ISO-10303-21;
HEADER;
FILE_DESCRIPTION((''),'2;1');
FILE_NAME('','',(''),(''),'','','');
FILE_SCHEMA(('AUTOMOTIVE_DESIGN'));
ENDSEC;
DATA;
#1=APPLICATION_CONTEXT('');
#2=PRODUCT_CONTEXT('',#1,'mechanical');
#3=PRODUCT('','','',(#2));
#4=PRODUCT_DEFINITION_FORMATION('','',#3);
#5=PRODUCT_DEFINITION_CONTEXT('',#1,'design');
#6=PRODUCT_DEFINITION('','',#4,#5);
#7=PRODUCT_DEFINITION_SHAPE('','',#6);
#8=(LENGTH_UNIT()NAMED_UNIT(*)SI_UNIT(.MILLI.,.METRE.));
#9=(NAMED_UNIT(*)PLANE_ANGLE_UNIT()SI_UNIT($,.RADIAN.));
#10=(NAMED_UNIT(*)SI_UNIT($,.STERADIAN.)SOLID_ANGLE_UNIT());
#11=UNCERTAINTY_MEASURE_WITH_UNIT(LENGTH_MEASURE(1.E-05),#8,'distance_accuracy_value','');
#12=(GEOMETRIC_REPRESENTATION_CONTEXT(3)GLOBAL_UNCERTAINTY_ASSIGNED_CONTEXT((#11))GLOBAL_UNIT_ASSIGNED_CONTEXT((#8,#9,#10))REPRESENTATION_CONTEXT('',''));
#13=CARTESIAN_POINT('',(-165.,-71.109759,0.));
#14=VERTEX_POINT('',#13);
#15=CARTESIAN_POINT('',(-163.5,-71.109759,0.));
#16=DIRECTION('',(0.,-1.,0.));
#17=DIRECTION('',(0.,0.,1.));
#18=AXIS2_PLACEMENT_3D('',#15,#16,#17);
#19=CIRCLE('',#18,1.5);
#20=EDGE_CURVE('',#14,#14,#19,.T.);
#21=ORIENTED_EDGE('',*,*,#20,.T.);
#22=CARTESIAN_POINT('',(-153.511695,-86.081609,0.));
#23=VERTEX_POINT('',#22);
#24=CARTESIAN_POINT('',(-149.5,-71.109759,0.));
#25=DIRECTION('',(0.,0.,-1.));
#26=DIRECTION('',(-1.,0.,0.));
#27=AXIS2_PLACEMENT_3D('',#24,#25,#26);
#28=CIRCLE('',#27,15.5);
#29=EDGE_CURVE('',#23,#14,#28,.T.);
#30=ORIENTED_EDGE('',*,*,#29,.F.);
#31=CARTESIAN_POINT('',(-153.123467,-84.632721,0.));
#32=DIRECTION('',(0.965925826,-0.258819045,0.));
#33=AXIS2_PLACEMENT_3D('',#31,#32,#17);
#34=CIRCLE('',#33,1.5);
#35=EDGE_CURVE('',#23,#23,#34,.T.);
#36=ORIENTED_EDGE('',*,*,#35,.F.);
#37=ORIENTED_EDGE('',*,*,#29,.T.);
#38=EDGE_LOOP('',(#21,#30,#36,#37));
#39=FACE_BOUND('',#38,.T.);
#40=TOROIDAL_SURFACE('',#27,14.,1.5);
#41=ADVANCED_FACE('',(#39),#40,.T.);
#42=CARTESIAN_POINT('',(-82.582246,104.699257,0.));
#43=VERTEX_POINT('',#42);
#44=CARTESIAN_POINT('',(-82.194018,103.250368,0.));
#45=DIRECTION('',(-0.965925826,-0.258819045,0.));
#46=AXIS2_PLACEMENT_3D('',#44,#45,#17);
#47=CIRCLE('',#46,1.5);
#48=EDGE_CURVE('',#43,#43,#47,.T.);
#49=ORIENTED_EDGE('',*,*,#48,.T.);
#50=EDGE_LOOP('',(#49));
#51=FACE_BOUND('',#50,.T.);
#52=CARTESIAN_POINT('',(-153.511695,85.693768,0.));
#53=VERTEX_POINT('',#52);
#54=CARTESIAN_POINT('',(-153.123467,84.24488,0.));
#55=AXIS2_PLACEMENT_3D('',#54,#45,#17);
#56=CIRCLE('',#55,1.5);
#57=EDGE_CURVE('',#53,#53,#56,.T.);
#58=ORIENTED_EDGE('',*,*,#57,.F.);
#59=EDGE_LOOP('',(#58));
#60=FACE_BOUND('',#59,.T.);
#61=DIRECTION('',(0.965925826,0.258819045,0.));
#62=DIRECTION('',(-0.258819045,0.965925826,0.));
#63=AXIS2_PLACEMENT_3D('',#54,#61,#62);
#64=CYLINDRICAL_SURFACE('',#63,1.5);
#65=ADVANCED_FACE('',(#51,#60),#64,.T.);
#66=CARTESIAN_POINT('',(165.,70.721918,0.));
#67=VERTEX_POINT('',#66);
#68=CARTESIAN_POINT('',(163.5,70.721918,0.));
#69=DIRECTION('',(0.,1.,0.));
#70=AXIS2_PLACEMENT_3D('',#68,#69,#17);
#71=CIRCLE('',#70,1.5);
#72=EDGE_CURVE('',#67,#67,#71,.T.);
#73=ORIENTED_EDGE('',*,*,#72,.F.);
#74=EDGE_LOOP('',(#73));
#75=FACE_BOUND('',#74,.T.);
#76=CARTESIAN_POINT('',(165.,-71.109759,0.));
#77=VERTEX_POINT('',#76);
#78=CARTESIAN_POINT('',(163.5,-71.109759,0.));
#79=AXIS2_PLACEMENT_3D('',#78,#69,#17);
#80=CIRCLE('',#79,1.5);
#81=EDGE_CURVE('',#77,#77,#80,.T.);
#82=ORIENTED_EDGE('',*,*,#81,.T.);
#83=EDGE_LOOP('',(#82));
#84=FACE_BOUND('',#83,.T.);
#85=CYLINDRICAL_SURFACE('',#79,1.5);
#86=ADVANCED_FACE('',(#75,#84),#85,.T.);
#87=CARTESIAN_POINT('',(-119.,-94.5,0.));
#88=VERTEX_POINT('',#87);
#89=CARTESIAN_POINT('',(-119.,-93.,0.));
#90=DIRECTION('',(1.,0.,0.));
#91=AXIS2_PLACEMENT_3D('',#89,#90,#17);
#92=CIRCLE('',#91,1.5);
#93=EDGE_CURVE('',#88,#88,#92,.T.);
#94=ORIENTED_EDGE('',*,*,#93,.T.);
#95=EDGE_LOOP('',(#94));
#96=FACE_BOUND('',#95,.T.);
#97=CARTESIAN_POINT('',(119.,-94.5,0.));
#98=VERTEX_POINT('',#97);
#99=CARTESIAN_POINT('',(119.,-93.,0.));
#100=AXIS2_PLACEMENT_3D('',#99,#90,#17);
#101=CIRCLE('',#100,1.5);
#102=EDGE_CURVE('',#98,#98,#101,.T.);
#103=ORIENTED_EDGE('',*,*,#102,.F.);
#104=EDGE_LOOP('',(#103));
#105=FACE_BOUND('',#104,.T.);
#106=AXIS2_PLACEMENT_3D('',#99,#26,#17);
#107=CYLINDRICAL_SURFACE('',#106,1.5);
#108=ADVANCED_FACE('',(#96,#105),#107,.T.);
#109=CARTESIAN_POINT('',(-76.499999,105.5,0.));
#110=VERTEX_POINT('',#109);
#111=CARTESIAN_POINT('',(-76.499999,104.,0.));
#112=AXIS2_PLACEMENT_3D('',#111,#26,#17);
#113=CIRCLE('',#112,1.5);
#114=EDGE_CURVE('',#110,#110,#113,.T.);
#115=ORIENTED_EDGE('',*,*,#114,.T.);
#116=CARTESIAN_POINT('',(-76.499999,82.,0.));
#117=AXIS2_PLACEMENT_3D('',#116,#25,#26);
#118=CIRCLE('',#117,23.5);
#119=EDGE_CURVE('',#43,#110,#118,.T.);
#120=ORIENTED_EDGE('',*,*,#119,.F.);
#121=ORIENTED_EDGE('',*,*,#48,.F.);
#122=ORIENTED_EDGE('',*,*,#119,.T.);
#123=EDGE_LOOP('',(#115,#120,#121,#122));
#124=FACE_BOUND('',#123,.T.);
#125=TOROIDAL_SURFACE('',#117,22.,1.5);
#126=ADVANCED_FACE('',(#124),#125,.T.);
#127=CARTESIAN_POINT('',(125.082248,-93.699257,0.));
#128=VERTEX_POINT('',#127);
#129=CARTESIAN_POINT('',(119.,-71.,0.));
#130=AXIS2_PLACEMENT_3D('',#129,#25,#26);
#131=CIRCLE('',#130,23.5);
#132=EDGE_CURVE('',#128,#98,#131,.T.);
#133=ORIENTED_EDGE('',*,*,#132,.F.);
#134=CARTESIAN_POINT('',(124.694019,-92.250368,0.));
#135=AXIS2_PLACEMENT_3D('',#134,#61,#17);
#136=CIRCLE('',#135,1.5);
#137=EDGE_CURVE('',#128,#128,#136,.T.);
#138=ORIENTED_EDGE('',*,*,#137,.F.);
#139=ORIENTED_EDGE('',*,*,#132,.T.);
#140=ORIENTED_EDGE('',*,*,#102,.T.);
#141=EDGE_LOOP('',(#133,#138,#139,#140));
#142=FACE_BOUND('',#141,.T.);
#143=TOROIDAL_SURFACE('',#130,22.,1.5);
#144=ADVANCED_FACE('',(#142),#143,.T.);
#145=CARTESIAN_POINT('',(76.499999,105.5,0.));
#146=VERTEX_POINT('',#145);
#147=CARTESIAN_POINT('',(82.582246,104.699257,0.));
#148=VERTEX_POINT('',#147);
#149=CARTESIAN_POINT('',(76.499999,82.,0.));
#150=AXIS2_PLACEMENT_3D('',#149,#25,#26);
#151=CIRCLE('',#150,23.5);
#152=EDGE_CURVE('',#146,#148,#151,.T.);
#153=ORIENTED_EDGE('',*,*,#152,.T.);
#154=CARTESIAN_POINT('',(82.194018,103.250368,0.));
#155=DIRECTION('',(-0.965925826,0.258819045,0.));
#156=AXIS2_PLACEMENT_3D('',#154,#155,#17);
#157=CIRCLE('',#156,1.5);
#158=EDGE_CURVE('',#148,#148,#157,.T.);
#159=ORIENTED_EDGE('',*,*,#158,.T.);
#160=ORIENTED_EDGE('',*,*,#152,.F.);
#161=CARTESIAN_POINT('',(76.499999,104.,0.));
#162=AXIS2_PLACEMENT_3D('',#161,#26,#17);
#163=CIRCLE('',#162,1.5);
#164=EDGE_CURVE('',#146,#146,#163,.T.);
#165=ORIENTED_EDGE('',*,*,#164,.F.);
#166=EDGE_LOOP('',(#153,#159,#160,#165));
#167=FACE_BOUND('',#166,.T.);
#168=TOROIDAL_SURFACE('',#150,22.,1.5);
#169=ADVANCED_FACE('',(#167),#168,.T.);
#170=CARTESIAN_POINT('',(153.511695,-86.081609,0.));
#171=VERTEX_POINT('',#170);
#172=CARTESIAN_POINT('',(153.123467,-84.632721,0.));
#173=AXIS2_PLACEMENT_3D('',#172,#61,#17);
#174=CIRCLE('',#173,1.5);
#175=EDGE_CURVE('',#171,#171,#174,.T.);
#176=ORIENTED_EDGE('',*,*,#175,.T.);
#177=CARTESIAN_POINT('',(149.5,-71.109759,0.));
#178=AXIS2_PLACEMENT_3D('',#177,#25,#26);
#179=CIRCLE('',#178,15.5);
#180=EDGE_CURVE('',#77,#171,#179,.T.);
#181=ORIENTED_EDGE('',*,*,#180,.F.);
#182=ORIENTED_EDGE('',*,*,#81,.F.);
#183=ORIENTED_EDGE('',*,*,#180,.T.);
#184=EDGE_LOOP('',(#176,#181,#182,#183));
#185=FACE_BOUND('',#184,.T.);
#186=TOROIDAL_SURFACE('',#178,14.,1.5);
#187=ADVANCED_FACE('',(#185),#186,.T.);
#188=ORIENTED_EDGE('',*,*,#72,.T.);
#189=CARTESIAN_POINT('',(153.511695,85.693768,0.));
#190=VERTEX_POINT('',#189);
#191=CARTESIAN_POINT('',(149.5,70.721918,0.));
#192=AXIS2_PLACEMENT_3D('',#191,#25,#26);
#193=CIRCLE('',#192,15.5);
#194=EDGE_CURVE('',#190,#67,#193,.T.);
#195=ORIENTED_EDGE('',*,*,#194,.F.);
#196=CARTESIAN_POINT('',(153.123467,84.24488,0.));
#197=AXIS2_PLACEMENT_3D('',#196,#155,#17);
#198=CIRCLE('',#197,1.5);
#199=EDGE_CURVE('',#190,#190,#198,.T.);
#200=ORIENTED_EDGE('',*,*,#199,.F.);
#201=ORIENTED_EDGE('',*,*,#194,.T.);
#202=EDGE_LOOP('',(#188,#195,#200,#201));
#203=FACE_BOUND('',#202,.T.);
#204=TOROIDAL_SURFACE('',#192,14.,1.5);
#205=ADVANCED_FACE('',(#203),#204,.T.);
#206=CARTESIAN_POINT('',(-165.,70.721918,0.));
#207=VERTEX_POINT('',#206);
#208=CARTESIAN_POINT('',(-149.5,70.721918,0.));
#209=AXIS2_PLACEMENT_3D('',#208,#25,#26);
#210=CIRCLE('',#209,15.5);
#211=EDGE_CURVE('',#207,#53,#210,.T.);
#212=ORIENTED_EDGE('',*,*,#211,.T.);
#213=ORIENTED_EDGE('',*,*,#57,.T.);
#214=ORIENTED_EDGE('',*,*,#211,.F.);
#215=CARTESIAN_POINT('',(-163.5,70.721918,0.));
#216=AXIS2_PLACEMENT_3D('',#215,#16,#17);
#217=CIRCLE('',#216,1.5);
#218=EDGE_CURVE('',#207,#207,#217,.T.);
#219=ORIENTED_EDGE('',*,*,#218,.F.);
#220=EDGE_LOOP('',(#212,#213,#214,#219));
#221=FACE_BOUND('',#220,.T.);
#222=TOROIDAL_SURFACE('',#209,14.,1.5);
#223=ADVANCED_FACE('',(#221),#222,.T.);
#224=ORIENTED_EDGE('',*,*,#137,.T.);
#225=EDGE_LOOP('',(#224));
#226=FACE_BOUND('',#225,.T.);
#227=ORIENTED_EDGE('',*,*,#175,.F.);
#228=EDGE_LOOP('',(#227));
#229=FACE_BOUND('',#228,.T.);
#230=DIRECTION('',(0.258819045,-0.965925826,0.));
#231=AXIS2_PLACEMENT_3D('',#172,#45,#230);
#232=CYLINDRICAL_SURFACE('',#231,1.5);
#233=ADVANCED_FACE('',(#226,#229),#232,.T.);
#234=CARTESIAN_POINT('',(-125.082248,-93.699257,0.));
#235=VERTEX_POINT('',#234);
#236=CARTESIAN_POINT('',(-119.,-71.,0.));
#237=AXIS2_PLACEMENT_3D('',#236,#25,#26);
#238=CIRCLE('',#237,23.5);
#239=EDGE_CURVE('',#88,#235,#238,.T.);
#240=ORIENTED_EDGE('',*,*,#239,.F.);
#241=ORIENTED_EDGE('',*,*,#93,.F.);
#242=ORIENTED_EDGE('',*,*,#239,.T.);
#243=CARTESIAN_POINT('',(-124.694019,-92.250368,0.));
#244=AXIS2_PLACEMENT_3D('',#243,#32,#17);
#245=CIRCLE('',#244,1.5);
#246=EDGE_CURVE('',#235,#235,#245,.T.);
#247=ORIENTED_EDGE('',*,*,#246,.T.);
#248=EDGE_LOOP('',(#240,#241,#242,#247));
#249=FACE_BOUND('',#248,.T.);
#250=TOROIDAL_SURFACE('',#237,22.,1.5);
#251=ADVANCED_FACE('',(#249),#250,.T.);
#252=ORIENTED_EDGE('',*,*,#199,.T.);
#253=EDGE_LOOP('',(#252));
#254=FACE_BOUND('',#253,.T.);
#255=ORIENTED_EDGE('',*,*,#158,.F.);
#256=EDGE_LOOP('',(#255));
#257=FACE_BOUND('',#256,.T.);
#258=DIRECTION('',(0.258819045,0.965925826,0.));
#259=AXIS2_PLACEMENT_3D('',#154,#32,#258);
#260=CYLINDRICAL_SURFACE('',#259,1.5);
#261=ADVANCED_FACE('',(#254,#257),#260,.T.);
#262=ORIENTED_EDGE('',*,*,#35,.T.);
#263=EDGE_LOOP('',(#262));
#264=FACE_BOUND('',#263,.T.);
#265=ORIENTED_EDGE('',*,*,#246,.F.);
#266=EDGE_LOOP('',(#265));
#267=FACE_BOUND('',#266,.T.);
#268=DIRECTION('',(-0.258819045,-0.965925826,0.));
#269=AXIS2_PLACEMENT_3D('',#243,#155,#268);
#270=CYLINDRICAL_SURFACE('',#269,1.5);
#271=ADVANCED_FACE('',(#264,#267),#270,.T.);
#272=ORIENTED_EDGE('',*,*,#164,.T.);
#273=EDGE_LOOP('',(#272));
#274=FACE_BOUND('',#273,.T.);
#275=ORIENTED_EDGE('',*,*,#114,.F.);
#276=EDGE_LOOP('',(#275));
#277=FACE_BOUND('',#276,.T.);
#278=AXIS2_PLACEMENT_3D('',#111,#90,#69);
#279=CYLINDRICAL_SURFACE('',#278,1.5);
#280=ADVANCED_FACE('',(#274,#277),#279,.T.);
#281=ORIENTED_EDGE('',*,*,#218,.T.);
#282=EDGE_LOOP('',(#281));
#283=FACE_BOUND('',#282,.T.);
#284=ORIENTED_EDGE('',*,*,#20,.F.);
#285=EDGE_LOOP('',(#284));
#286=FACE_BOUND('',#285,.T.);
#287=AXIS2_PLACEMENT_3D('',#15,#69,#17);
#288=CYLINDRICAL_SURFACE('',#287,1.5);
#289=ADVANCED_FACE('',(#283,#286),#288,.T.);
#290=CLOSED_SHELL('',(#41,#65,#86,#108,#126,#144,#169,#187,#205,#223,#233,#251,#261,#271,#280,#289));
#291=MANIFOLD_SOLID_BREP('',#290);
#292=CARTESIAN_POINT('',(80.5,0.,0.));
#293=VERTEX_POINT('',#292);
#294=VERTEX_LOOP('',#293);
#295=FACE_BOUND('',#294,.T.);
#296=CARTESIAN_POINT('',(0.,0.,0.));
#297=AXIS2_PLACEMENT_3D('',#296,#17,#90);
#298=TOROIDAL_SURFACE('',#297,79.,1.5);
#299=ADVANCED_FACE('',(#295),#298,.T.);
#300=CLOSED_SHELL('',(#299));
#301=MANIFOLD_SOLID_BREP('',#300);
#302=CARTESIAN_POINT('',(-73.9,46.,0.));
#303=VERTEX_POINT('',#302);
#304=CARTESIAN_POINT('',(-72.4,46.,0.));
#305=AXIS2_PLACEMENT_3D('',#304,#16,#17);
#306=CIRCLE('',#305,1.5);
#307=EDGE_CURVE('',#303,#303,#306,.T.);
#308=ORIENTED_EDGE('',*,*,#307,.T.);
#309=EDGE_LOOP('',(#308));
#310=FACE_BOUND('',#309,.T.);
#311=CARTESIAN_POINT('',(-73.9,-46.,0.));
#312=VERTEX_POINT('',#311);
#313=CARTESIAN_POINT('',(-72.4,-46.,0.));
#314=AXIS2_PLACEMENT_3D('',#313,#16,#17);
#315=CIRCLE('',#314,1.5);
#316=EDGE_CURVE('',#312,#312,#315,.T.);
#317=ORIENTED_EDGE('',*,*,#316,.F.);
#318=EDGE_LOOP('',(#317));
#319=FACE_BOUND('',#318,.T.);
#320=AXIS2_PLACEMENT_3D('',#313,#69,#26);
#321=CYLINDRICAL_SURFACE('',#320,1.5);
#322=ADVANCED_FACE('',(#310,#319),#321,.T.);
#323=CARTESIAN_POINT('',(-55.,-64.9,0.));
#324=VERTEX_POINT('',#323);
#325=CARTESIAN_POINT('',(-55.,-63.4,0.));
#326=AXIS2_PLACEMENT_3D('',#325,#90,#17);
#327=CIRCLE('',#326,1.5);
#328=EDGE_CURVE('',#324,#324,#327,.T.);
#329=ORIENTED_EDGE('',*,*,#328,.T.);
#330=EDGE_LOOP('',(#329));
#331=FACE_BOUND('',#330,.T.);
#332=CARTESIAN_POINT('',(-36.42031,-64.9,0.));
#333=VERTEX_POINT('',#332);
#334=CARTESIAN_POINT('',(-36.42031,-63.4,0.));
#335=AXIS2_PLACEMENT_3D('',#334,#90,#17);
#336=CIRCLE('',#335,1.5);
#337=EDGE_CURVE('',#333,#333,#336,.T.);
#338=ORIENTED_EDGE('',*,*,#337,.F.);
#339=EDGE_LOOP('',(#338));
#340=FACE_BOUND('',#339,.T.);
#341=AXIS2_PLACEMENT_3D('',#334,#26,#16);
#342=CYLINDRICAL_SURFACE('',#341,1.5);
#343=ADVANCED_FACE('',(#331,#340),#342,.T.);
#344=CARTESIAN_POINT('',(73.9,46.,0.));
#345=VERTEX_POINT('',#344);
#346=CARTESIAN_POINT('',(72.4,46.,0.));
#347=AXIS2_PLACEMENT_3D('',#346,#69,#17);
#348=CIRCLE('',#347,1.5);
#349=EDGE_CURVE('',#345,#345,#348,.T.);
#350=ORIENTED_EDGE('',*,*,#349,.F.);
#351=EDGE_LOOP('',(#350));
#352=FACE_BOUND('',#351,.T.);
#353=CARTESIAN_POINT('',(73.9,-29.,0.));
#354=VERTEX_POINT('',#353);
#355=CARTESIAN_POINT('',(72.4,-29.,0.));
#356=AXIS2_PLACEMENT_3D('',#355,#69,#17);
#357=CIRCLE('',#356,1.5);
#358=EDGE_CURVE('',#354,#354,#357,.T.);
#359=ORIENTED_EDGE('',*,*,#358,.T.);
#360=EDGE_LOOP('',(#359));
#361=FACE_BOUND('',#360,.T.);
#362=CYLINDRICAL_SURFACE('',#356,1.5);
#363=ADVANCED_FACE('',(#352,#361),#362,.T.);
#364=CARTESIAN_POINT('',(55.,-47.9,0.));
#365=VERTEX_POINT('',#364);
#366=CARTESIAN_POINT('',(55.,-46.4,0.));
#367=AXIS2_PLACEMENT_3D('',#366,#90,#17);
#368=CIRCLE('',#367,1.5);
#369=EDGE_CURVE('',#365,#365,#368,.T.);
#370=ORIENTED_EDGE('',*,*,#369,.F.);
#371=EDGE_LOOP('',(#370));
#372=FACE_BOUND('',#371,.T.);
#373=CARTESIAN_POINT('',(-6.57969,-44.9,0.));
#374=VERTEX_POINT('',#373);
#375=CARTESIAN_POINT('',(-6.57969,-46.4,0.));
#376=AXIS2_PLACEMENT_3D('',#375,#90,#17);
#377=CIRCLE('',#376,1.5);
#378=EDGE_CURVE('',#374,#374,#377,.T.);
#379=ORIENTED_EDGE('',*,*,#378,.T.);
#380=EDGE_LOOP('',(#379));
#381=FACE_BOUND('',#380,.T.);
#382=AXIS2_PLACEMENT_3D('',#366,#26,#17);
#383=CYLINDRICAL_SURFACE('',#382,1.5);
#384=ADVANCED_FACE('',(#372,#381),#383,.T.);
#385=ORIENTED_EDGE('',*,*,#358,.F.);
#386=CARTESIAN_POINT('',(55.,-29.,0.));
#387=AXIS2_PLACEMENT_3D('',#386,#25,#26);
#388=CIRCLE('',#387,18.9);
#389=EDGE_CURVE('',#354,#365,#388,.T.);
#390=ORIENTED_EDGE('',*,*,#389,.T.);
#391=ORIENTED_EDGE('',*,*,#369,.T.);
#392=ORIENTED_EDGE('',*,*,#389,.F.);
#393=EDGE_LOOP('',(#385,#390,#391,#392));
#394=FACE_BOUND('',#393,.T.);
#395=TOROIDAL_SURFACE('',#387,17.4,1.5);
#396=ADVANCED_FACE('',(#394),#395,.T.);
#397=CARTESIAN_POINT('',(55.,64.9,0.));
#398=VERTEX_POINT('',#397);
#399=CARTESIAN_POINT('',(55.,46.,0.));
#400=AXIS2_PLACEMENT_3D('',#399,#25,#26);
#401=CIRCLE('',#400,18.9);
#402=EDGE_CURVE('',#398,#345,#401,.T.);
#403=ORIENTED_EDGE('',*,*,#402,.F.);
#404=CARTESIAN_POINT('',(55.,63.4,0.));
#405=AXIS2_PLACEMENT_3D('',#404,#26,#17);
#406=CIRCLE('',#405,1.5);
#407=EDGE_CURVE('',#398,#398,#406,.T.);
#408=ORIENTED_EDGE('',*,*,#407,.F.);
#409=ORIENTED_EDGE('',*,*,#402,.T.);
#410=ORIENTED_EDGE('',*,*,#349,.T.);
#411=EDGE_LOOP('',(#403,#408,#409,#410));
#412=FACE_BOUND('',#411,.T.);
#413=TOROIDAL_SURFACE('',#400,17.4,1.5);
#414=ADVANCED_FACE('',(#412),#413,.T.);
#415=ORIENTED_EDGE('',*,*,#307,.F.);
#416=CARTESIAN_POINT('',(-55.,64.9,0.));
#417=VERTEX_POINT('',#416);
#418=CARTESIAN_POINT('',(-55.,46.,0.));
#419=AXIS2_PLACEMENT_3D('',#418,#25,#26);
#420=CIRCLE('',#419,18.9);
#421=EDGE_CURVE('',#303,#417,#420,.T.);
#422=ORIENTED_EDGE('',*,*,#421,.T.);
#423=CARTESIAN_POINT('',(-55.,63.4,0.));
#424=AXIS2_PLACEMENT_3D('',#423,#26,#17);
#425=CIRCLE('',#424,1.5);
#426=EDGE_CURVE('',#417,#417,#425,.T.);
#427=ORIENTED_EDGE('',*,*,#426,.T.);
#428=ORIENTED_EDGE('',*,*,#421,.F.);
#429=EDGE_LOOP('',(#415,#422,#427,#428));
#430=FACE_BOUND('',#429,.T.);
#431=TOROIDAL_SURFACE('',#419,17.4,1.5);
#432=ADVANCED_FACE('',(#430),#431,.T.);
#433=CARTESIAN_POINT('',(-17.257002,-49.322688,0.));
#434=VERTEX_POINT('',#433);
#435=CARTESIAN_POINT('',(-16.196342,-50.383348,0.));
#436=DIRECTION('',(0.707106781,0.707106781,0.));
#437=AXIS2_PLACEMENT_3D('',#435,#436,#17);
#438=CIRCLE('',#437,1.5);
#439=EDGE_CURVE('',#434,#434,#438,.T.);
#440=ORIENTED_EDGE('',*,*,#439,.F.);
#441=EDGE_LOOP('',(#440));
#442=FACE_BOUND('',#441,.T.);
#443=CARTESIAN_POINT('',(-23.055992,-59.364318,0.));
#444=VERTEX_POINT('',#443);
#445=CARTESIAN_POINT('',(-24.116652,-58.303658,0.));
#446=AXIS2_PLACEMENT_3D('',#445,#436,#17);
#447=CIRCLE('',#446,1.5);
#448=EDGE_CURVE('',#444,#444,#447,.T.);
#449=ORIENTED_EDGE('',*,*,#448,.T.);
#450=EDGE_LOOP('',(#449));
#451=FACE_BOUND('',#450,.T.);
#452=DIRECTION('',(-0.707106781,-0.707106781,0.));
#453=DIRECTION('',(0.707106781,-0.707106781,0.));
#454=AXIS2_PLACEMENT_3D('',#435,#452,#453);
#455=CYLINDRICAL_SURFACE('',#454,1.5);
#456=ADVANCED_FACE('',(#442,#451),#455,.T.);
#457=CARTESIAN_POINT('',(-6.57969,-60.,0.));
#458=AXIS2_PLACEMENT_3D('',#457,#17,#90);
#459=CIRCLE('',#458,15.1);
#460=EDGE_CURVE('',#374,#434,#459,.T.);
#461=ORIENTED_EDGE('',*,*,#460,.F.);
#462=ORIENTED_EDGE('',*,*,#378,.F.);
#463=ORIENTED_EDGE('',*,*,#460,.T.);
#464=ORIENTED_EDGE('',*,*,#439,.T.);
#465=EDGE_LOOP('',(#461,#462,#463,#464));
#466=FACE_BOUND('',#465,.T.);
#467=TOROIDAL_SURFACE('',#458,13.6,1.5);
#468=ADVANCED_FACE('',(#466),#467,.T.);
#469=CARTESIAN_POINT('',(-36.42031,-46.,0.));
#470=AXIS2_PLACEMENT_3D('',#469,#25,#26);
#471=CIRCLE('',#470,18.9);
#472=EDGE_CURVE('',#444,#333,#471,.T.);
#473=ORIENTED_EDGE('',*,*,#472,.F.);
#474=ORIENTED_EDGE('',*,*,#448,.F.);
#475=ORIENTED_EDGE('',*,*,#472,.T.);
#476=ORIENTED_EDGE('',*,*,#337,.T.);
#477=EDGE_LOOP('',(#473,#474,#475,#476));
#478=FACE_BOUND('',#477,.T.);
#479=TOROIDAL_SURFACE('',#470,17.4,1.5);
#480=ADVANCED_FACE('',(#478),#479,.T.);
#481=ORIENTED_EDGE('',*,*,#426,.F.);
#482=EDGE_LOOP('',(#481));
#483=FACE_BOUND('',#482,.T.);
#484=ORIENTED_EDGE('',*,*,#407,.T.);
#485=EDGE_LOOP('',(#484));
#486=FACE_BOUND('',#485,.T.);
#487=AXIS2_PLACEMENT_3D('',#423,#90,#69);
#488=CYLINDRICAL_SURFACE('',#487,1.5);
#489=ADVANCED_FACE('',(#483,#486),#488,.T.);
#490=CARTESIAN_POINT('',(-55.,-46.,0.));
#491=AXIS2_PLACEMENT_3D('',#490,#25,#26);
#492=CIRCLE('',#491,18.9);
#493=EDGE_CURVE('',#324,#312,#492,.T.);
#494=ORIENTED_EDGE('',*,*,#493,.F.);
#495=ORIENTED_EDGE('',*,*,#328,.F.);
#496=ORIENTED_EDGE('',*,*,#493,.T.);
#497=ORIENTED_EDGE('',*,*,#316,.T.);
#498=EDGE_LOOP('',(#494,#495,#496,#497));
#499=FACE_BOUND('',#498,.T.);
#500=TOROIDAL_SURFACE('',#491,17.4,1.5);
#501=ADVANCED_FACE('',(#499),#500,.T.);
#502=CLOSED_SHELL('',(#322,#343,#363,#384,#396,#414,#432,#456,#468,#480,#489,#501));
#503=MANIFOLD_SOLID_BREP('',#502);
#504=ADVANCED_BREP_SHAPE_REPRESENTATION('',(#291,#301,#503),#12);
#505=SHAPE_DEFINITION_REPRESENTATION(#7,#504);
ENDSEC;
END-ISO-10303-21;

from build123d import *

# Parameters (mm, degrees)
SKETCH2_R = 1.5
SKETCH4_R = 1.5
SKETCH6_R = 1.5


with BuildPart() as part:
    # Sweep1: sweep along a path in Sketch1
    with BuildLine(Plane.XY) as sweep1_path:
        Line((55, -46.4), (-6.579689783, -46.4))
        ThreePointArc((-6.579689783, -46.4), (-11.784184463, -47.435238358), (-16.196342007, -50.383347776))
        Line((-16.196342007, -50.383347776), (-24.116652224, -58.303657993))
        ThreePointArc((-24.116652224, -58.303657993), (-29.761618494, -62.075503866), (-36.420310217, -63.4))
        Line((-36.420310217, -63.4), (-55, -63.4))
        ThreePointArc((-55, -63.4), (-67.303657993, -58.303657993), (-72.4, -46))
        Line((-72.4, -46), (-72.4, 46))
        ThreePointArc((-72.4, 46), (-67.303657993, 58.303657993), (-55, 63.4))
        Line((-55, 63.4), (55, 63.4))
        ThreePointArc((55, 63.4), (67.303657993, 58.303657993), (72.4, 46))
        Line((72.4, 46), (72.4, -29))
        ThreePointArc((72.4, -29), (67.303657993, -41.303657993), (55, -46.4))
    # Sketch2 → Sweep1 (sweep)
    with BuildSketch(Plane(origin=(0, 0, 0), x_dir=(1, 0, 0), z_dir=(0, 1, 0))):
        with Locations((72.4, 0)):
            Circle(SKETCH2_R)
    sweep(path=sweep1_path.line)


with BuildPart() as body_2:
    # Sweep2: sweep along a path in Sketch3
    with BuildLine(Plane.XY) as sweep2_path:
        Line((-163.5, 70.721918018), (-163.5, -71.109759074))
        ThreePointArc((-163.5, -71.109759074), (-160.606946764, -79.63241908), (-153.123466631, -84.632720642))
        Line((-153.123466631, -84.632720642), (-124.694018992, -92.250368178))
        ThreePointArc((-124.694018992, -92.250368178), (-121.871576229, -92.81178695), (-119, -93))
        Line((-119, -93), (119, -93))
        ThreePointArc((119, -93), (121.871576229, -92.81178695), (124.694018992, -92.250368178))
        Line((124.694018992, -92.250368178), (153.123466631, -84.632720642))
        ThreePointArc((153.123466631, -84.632720642), (160.606946764, -79.63241908), (163.5, -71.109759074))
        Line((163.5, -71.109759074), (163.5, 70.721918018))
        ThreePointArc((163.5, 70.721918018), (160.606946764, 79.244578024), (153.123466631, 84.244879586))
        Line((153.123466631, 84.244879586), (82.194017583, 103.250368178))
        ThreePointArc((82.194017583, 103.250368178), (79.37157482, 103.81178695), (76.499998591, 104))
        Line((76.499998591, 104), (-76.499998591, 104))
        ThreePointArc((-76.499998591, 104), (-79.37157482, 103.81178695), (-82.194017583, 103.250368178))
        Line((-82.194017583, 103.250368178), (-153.123466631, 84.244879586))
        ThreePointArc((-153.123466631, 84.244879586), (-160.606946764, 79.244578024), (-163.5, 70.721918018))
    # Sketch4 → Sweep2 (sweep)
    with BuildSketch(Plane(origin=(0, 0, 0), x_dir=(1, 0, 0), z_dir=(0, 1, 0))):
        with Locations((163.5, 0)):
            Circle(SKETCH4_R)
    sweep(path=sweep2_path.line)


with BuildPart() as body_3:
    # Sketch6 → Revolve1 (revolve)
    with BuildSketch(Plane(origin=(0, 0, 0), x_dir=(0, 0, -1), z_dir=(1, 0, 0)), mode=Mode.PRIVATE) as revolve1_sk:
        with Locations((0, 79)):
            Circle(SKETCH6_R)
    revolve(revolve1_sk.sketch.rotate(Axis((0, 0, 0), (0, 0, -1)), 90), axis=Axis((0, 0, 0), (0, 0, -1)))


solid = Compound([part.part, body_2.part, body_3.part])
